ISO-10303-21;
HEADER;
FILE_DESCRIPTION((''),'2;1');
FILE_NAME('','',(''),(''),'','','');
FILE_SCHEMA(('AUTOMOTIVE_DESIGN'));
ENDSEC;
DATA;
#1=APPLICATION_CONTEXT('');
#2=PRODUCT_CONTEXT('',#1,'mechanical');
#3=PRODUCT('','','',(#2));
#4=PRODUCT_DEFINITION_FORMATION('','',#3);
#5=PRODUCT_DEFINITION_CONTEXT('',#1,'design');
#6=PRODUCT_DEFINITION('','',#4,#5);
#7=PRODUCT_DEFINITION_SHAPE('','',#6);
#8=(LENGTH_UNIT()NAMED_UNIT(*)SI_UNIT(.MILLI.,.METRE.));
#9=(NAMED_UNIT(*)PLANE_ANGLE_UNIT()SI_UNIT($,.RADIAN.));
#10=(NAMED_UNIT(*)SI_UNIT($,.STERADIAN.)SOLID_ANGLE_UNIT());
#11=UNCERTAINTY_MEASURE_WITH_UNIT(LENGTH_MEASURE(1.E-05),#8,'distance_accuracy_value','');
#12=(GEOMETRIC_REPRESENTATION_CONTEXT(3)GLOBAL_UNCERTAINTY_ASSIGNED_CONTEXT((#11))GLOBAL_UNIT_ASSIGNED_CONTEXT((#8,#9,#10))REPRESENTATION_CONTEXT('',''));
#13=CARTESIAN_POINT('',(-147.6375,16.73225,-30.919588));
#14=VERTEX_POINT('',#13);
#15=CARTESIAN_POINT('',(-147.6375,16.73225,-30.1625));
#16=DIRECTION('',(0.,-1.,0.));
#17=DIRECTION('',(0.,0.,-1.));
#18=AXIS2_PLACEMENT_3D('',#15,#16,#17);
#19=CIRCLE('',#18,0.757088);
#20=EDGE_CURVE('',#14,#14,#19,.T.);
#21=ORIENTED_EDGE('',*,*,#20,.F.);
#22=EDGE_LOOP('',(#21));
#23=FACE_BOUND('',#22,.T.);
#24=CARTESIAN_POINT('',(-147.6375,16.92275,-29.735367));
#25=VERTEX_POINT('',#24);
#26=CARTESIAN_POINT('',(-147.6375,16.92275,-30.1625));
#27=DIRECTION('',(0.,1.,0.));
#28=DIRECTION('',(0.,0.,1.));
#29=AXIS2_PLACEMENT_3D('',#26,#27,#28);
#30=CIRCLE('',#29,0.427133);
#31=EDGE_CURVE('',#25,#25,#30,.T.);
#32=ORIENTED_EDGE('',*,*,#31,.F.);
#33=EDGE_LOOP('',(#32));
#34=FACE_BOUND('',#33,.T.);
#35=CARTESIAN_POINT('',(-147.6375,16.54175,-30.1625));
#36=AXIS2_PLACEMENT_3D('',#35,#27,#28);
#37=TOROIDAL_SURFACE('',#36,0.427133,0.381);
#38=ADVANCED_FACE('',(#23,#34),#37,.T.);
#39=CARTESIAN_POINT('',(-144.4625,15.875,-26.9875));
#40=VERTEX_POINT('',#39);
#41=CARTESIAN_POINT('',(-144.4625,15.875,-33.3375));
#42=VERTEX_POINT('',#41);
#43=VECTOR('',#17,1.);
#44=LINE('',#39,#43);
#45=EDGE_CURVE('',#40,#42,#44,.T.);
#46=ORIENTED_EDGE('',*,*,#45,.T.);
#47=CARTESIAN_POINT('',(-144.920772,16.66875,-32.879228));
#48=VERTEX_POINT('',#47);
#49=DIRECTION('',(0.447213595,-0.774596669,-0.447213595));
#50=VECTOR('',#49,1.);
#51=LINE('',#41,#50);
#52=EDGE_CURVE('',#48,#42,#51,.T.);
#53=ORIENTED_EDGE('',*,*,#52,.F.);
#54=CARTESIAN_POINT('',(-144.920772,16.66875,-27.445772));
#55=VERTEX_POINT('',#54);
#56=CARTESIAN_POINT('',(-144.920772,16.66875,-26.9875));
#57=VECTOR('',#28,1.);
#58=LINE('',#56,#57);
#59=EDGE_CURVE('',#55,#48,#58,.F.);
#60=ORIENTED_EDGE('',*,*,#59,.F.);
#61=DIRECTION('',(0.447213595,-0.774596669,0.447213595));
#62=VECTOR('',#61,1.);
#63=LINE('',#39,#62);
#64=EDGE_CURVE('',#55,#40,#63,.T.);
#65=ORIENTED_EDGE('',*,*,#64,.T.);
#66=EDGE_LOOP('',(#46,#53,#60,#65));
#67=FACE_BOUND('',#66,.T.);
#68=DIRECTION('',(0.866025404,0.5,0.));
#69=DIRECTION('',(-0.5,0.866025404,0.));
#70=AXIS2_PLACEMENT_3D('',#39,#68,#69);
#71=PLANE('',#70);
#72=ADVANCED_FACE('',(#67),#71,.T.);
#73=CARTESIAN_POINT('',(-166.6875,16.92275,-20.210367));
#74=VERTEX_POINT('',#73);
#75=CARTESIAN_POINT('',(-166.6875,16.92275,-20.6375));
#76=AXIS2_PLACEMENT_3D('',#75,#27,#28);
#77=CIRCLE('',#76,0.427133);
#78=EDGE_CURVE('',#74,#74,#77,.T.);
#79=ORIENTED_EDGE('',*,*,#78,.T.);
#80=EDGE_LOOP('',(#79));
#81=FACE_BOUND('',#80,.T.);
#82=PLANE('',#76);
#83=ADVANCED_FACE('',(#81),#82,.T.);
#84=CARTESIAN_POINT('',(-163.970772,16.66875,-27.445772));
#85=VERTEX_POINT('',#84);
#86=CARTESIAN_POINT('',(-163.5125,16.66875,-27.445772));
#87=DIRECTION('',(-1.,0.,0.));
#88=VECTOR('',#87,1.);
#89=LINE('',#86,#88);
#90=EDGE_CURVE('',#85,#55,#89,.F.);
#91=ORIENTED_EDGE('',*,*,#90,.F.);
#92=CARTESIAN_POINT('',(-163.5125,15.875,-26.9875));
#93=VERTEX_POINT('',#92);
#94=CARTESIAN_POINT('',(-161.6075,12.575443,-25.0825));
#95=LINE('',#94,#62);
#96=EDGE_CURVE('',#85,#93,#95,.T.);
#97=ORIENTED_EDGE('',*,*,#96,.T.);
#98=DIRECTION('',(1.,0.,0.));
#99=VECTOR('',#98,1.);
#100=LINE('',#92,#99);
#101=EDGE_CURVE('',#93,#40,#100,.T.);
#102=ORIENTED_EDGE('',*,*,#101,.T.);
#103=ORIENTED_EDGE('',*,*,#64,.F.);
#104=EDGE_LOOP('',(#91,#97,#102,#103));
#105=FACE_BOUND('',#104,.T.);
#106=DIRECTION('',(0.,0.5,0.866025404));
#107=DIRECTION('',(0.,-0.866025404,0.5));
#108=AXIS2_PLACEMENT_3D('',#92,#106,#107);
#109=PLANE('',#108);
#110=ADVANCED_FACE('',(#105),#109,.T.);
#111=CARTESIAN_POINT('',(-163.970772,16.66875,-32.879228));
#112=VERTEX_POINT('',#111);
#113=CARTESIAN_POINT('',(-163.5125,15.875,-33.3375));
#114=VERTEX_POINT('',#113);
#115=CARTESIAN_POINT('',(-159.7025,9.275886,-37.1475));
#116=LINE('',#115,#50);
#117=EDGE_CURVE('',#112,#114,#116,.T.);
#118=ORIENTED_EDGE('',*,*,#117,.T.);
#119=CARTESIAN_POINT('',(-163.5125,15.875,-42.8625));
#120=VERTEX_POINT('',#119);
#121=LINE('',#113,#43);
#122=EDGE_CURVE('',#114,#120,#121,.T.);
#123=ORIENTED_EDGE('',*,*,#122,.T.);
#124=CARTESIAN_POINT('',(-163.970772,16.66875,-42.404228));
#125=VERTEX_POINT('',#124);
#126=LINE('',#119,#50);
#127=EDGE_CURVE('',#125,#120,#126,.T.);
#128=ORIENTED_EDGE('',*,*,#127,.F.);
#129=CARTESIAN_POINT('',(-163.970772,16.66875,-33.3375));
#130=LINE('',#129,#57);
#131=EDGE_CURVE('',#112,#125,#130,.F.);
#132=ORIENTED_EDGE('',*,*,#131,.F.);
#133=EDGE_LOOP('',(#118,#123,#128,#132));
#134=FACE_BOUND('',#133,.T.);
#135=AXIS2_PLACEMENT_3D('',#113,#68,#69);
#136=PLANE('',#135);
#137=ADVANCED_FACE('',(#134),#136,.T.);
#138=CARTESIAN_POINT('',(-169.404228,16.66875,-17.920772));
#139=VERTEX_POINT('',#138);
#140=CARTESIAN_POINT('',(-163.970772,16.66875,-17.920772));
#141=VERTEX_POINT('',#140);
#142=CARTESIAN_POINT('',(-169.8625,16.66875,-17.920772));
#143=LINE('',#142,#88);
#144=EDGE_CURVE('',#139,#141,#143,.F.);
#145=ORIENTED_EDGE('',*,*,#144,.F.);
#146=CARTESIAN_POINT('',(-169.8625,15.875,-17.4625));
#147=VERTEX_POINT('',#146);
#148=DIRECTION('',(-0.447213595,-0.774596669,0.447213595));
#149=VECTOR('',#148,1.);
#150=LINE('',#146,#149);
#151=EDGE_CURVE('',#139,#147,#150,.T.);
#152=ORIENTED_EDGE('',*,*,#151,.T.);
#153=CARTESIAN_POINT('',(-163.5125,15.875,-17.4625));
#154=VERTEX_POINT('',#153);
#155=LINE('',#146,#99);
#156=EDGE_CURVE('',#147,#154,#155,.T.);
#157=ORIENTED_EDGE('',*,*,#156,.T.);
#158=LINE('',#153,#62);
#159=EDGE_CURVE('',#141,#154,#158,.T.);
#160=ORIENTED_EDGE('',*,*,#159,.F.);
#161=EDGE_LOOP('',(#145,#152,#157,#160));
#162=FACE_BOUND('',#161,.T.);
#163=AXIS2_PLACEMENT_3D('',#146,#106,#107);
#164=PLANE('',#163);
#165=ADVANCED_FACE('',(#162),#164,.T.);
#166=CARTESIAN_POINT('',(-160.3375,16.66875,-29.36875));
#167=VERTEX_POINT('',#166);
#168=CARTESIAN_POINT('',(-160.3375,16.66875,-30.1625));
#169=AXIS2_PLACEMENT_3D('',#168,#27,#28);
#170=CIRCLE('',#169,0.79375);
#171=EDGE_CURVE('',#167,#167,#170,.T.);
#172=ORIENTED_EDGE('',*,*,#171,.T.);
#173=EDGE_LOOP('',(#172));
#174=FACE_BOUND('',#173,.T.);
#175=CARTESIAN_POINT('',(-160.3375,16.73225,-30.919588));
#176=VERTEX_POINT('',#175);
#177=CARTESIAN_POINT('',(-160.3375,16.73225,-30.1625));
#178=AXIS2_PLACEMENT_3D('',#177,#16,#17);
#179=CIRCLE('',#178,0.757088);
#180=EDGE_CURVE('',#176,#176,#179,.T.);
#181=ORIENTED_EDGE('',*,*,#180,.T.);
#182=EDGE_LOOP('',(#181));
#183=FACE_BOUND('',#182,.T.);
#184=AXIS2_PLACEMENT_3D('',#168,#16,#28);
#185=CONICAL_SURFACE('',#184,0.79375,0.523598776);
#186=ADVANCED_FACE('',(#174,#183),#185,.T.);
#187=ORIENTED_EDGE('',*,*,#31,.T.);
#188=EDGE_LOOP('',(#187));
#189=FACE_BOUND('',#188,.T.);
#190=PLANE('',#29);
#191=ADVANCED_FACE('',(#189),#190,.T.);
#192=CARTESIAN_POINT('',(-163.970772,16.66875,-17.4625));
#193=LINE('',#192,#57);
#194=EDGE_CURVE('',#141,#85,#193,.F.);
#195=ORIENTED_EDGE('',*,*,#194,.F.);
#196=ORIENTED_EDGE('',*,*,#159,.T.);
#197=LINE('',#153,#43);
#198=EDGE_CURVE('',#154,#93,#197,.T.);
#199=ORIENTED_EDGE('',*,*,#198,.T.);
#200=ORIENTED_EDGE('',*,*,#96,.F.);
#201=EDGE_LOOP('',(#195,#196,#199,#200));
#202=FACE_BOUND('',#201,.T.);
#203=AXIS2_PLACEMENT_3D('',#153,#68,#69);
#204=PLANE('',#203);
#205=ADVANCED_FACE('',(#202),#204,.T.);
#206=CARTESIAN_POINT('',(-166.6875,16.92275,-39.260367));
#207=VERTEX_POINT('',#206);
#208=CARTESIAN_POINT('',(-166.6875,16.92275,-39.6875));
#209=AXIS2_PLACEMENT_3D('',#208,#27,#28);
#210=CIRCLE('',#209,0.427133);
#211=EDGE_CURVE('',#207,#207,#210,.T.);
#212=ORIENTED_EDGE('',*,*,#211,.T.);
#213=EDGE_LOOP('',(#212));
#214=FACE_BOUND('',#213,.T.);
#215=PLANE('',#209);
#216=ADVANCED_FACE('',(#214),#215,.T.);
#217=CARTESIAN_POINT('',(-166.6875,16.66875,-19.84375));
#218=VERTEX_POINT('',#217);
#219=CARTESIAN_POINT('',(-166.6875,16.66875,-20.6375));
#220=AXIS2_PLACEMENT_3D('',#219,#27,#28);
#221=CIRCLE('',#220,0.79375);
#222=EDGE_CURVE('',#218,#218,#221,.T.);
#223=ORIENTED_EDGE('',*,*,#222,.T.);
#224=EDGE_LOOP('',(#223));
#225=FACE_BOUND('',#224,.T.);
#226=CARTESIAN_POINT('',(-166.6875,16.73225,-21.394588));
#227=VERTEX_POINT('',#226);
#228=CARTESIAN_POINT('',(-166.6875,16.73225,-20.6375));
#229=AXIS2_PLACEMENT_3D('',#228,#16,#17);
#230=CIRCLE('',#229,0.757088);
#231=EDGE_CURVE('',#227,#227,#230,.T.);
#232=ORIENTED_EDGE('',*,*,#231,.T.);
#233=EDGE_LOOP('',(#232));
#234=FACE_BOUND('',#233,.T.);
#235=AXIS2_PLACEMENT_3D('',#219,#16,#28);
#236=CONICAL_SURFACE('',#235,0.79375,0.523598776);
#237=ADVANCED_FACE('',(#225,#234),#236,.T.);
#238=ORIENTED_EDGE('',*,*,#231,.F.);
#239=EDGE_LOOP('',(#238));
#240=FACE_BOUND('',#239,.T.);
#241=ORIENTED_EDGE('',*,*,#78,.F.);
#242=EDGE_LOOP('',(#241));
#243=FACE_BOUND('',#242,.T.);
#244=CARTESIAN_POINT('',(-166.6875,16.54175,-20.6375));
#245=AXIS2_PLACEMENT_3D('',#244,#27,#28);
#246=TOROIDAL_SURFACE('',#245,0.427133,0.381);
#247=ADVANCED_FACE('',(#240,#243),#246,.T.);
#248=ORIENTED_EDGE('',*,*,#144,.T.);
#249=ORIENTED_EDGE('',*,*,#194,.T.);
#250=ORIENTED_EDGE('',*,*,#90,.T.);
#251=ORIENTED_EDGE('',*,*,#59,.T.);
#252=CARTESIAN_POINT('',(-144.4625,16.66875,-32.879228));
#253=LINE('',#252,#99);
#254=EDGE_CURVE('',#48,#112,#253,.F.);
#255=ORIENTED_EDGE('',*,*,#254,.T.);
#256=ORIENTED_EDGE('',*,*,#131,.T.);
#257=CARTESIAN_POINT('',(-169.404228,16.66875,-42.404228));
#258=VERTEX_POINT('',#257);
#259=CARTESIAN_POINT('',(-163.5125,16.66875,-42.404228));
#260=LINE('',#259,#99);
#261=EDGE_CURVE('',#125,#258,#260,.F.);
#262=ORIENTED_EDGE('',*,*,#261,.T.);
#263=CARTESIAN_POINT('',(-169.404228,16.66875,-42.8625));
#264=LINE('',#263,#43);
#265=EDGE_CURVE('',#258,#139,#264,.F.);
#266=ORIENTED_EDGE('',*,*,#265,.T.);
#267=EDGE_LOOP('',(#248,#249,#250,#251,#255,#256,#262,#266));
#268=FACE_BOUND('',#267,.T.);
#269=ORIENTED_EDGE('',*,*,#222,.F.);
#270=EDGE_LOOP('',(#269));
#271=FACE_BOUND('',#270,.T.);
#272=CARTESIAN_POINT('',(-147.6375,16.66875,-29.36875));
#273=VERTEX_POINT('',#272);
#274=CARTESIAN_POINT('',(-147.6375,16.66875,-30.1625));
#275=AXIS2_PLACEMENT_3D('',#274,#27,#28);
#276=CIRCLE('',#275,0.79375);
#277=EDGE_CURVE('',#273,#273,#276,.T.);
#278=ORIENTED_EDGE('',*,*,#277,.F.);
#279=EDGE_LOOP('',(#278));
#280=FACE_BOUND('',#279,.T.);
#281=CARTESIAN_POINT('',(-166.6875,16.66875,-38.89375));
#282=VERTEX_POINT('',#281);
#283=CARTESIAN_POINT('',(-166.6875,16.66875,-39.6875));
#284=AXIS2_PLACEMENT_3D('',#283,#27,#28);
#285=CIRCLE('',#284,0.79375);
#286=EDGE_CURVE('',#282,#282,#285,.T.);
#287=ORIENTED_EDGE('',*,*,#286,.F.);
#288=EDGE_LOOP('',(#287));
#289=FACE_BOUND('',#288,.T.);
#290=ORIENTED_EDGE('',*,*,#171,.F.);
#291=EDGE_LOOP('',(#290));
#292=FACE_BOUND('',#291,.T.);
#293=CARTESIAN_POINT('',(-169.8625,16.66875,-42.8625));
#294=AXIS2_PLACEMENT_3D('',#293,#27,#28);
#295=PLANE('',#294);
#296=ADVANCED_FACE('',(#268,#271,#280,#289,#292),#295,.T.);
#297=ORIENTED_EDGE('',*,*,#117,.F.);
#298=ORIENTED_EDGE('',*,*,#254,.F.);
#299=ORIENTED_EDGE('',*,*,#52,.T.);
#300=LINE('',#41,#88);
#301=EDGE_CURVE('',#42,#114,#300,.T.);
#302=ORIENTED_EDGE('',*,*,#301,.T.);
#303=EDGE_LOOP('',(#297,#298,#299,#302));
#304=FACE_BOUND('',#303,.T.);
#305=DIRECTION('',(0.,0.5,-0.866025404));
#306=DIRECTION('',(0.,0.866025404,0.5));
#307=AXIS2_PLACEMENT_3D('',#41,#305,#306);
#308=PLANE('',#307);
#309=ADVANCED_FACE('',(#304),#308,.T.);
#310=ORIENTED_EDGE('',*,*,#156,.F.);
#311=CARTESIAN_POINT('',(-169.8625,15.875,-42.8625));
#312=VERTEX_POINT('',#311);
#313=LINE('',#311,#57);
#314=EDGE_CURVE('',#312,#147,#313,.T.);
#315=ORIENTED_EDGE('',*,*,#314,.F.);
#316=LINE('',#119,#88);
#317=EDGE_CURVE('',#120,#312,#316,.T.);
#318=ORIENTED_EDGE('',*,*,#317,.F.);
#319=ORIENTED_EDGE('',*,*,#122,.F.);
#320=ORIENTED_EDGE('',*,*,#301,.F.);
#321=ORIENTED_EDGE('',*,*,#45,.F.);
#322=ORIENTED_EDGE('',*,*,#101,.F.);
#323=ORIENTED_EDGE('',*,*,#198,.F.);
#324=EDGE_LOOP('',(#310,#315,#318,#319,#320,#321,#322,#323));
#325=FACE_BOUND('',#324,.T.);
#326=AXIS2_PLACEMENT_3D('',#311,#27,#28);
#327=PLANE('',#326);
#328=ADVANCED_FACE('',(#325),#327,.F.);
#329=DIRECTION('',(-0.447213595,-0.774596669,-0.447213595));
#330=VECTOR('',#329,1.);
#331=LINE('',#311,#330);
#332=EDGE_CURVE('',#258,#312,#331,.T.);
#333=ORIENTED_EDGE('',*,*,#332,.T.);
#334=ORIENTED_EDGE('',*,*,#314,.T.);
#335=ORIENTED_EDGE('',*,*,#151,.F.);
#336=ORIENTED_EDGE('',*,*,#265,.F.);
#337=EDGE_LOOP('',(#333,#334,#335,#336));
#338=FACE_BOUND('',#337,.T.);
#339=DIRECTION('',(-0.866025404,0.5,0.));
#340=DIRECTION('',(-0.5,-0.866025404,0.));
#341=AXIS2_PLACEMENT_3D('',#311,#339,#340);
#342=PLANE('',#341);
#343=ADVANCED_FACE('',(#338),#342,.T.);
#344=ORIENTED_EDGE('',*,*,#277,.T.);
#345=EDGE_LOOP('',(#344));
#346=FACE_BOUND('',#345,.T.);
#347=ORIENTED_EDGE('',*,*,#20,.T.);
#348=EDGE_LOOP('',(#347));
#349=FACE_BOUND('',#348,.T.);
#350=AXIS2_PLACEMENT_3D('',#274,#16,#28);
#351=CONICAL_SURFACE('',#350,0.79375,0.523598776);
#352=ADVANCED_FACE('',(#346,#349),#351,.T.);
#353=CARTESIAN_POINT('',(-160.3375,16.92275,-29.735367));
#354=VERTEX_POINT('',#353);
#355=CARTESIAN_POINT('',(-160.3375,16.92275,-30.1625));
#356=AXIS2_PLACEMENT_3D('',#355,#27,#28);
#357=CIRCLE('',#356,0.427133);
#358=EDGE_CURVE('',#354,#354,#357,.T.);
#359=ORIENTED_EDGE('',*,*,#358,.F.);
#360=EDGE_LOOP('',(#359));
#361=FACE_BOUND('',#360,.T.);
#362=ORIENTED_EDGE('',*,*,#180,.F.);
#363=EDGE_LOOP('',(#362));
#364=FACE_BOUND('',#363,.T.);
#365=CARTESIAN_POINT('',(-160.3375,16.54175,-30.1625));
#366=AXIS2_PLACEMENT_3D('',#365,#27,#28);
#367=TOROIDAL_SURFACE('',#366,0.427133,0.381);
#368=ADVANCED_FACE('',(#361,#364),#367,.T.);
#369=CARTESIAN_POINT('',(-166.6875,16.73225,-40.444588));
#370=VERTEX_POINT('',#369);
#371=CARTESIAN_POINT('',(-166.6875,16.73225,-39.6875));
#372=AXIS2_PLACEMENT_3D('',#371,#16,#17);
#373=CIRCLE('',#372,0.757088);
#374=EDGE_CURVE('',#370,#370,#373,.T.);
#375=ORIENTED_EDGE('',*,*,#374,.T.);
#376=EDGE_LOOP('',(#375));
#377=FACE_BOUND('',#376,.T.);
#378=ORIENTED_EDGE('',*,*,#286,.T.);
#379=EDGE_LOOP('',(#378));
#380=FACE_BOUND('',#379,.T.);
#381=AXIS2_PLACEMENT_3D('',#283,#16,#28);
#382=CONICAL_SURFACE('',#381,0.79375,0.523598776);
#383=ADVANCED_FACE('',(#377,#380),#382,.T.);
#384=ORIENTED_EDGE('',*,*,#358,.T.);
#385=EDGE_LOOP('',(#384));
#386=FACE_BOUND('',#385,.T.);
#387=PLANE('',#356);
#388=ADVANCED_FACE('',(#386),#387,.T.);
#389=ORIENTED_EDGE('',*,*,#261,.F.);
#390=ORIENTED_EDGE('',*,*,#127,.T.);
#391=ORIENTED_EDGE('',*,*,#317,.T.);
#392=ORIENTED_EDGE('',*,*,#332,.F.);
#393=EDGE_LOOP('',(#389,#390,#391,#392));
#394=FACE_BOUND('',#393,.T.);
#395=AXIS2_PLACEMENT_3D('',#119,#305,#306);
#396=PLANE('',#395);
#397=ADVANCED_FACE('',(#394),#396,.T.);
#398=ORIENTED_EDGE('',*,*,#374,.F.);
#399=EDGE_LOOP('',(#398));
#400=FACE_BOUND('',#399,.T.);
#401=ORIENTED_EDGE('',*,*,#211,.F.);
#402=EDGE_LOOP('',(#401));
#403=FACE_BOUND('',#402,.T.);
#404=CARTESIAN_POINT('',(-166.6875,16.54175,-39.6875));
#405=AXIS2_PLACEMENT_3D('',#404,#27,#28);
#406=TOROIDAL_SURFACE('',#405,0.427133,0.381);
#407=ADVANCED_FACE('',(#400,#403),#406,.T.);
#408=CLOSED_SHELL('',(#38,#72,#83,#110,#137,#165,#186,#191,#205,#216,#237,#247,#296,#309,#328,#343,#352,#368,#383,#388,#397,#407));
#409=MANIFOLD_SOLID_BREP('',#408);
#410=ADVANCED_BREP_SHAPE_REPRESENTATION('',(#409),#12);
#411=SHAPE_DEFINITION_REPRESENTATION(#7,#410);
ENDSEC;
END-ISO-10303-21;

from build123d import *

# Parameters (mm, degrees)
BOSS_EXTRUDE1_DEPTH           = 0.79375
BOSS_EXTRUDE1_TAPER           = 30
SKETCH3_R                     = 0.79375
BOSS_EXTRUDE2_DEPTH           = 0.254
BOSS_EXTRUDE2_DRAFT           = 30
BOSS_EXTRUDE2_PROFILE_2_DEPTH = 0.254
BOSS_EXTRUDE2_PROFILE_2_DRAFT = 30
BOSS_EXTRUDE2_PROFILE_3_DEPTH = 0.254
BOSS_EXTRUDE2_PROFILE_3_DRAFT = 30
BOSS_EXTRUDE2_PROFILE_4_DEPTH = 0.254
BOSS_EXTRUDE2_PROFILE_4_DRAFT = 30
FILLET1_R                     = 0.381


with BuildPart() as part:
    # Sketch2 → Boss-Extrude1 (new body)
    with BuildSketch(Plane(origin=(0, 15.875, 0), x_dir=(1, 0, 0), z_dir=(0, 1, 0))):
        Polygon((-169.8625, 42.8625), (-169.8625, 17.4625), (-163.5125, 17.4625), (-163.5125, 26.9875), (-144.4625, 26.9875), (-144.4625, 33.3375), (-163.5125, 33.3375), (-163.5125, 42.8625), align=None)
    extrude(amount=BOSS_EXTRUDE1_DEPTH, taper=BOSS_EXTRUDE1_TAPER)


with BuildPart() as boss_extrude2_tool:
    # Sketch3 → Boss-Extrude2 (with draft: the straight prism first)
    with BuildSketch(Plane(origin=(0, 16.66875, 0), x_dir=(1, 0, 0), z_dir=(0, 1, 0))):
        with Locations((-147.6375, 30.1625)):
            Circle(SKETCH3_R)
    extrude(amount=BOSS_EXTRUDE2_DEPTH)
    # Boss-Extrude2: the draft: its side faces are tilted about the plane it starts from
    boss_extrude2_sides = [boss_extrude2_tool.faces().sort_by_distance(p)[0] for p in [
        (-148.43125, 16.79575, -30.1625),
    ]]
    draft(boss_extrude2_sides, Plane(origin=(0, 16.66875, 0), x_dir=(1, 0, 0), z_dir=(0, 1, 0)), BOSS_EXTRUDE2_DRAFT)


with BuildPart() as part_1:
    add(part.part)

    # Boss-Extrude2: add boss_extrude2_tool
    add(boss_extrude2_tool.part)


with BuildPart() as boss_extrude2_profile_2_tool:
    # Sketch3 → Boss-Extrude2 profile 2 (with draft: the straight prism first)
    with BuildSketch(Plane(origin=(0, 16.66875, 0), x_dir=(1, 0, 0), z_dir=(0, 1, 0))):
        with Locations((-160.3375, 30.1625)):
            Circle(SKETCH3_R)
    extrude(amount=BOSS_EXTRUDE2_PROFILE_2_DEPTH)
    # Boss-Extrude2 profile 2: the draft: its side faces are tilted about the plane it starts from
    boss_extrude2_profile_2_sides = [boss_extrude2_profile_2_tool.faces().sort_by_distance(p)[0] for p in [
        (-161.13125, 16.79575, -30.1625),
    ]]
    draft(boss_extrude2_profile_2_sides, Plane(origin=(0, 16.66875, 0), x_dir=(1, 0, 0), z_dir=(0, 1, 0)), BOSS_EXTRUDE2_PROFILE_2_DRAFT)


with BuildPart() as part_2:
    add(part_1.part)

    # Boss-Extrude2 profile 2: add boss_extrude2_profile_2_tool
    add(boss_extrude2_profile_2_tool.part)


with BuildPart() as boss_extrude2_profile_3_tool:
    # Sketch3 → Boss-Extrude2 profile 3 (with draft: the straight prism first)
    with BuildSketch(Plane(origin=(0, 16.66875, 0), x_dir=(1, 0, 0), z_dir=(0, 1, 0))):
        with Locations((-166.6875, 39.6875)):
            Circle(SKETCH3_R)
    extrude(amount=BOSS_EXTRUDE2_PROFILE_3_DEPTH)
    # Boss-Extrude2 profile 3: the draft: its side faces are tilted about the plane it starts from
    boss_extrude2_profile_3_sides = [boss_extrude2_profile_3_tool.faces().sort_by_distance(p)[0] for p in [
        (-167.48125, 16.79575, -39.6875),
    ]]
    draft(boss_extrude2_profile_3_sides, Plane(origin=(0, 16.66875, 0), x_dir=(1, 0, 0), z_dir=(0, 1, 0)), BOSS_EXTRUDE2_PROFILE_3_DRAFT)


with BuildPart() as part_3:
    add(part_2.part)

    # Boss-Extrude2 profile 3: add boss_extrude2_profile_3_tool
    add(boss_extrude2_profile_3_tool.part)


with BuildPart() as boss_extrude2_profile_4_tool:
    # Sketch3 → Boss-Extrude2 profile 4 (with draft: the straight prism first)
    with BuildSketch(Plane(origin=(0, 16.66875, 0), x_dir=(1, 0, 0), z_dir=(0, 1, 0))):
        with Locations((-166.6875, 20.6375)):
            Circle(SKETCH3_R)
    extrude(amount=BOSS_EXTRUDE2_PROFILE_4_DEPTH)
    # Boss-Extrude2 profile 4: the draft: its side faces are tilted about the plane it starts from
    boss_extrude2_profile_4_sides = [boss_extrude2_profile_4_tool.faces().sort_by_distance(p)[0] for p in [
        (-167.48125, 16.79575, -20.6375),
    ]]
    draft(boss_extrude2_profile_4_sides, Plane(origin=(0, 16.66875, 0), x_dir=(1, 0, 0), z_dir=(0, 1, 0)), BOSS_EXTRUDE2_PROFILE_4_DRAFT)


with BuildPart() as part_4:
    add(part_3.part)

    # Boss-Extrude2 profile 4: add boss_extrude2_profile_4_tool
    add(boss_extrude2_profile_4_tool.part)

    # Fillet1
    fillet1_edges = [part_4.edges().sort_by_distance(p)[0] for p in [
        (-148.284603032, 16.92275, -30.1625),
        (-160.984603032, 16.92275, -30.1625),
        (-167.334603032, 16.92275, -39.6875),
        (-167.334603032, 16.92275, -20.6375),
    ]]
    fillet(fillet1_edges, radius=FILLET1_R)


solid = part_4.part
